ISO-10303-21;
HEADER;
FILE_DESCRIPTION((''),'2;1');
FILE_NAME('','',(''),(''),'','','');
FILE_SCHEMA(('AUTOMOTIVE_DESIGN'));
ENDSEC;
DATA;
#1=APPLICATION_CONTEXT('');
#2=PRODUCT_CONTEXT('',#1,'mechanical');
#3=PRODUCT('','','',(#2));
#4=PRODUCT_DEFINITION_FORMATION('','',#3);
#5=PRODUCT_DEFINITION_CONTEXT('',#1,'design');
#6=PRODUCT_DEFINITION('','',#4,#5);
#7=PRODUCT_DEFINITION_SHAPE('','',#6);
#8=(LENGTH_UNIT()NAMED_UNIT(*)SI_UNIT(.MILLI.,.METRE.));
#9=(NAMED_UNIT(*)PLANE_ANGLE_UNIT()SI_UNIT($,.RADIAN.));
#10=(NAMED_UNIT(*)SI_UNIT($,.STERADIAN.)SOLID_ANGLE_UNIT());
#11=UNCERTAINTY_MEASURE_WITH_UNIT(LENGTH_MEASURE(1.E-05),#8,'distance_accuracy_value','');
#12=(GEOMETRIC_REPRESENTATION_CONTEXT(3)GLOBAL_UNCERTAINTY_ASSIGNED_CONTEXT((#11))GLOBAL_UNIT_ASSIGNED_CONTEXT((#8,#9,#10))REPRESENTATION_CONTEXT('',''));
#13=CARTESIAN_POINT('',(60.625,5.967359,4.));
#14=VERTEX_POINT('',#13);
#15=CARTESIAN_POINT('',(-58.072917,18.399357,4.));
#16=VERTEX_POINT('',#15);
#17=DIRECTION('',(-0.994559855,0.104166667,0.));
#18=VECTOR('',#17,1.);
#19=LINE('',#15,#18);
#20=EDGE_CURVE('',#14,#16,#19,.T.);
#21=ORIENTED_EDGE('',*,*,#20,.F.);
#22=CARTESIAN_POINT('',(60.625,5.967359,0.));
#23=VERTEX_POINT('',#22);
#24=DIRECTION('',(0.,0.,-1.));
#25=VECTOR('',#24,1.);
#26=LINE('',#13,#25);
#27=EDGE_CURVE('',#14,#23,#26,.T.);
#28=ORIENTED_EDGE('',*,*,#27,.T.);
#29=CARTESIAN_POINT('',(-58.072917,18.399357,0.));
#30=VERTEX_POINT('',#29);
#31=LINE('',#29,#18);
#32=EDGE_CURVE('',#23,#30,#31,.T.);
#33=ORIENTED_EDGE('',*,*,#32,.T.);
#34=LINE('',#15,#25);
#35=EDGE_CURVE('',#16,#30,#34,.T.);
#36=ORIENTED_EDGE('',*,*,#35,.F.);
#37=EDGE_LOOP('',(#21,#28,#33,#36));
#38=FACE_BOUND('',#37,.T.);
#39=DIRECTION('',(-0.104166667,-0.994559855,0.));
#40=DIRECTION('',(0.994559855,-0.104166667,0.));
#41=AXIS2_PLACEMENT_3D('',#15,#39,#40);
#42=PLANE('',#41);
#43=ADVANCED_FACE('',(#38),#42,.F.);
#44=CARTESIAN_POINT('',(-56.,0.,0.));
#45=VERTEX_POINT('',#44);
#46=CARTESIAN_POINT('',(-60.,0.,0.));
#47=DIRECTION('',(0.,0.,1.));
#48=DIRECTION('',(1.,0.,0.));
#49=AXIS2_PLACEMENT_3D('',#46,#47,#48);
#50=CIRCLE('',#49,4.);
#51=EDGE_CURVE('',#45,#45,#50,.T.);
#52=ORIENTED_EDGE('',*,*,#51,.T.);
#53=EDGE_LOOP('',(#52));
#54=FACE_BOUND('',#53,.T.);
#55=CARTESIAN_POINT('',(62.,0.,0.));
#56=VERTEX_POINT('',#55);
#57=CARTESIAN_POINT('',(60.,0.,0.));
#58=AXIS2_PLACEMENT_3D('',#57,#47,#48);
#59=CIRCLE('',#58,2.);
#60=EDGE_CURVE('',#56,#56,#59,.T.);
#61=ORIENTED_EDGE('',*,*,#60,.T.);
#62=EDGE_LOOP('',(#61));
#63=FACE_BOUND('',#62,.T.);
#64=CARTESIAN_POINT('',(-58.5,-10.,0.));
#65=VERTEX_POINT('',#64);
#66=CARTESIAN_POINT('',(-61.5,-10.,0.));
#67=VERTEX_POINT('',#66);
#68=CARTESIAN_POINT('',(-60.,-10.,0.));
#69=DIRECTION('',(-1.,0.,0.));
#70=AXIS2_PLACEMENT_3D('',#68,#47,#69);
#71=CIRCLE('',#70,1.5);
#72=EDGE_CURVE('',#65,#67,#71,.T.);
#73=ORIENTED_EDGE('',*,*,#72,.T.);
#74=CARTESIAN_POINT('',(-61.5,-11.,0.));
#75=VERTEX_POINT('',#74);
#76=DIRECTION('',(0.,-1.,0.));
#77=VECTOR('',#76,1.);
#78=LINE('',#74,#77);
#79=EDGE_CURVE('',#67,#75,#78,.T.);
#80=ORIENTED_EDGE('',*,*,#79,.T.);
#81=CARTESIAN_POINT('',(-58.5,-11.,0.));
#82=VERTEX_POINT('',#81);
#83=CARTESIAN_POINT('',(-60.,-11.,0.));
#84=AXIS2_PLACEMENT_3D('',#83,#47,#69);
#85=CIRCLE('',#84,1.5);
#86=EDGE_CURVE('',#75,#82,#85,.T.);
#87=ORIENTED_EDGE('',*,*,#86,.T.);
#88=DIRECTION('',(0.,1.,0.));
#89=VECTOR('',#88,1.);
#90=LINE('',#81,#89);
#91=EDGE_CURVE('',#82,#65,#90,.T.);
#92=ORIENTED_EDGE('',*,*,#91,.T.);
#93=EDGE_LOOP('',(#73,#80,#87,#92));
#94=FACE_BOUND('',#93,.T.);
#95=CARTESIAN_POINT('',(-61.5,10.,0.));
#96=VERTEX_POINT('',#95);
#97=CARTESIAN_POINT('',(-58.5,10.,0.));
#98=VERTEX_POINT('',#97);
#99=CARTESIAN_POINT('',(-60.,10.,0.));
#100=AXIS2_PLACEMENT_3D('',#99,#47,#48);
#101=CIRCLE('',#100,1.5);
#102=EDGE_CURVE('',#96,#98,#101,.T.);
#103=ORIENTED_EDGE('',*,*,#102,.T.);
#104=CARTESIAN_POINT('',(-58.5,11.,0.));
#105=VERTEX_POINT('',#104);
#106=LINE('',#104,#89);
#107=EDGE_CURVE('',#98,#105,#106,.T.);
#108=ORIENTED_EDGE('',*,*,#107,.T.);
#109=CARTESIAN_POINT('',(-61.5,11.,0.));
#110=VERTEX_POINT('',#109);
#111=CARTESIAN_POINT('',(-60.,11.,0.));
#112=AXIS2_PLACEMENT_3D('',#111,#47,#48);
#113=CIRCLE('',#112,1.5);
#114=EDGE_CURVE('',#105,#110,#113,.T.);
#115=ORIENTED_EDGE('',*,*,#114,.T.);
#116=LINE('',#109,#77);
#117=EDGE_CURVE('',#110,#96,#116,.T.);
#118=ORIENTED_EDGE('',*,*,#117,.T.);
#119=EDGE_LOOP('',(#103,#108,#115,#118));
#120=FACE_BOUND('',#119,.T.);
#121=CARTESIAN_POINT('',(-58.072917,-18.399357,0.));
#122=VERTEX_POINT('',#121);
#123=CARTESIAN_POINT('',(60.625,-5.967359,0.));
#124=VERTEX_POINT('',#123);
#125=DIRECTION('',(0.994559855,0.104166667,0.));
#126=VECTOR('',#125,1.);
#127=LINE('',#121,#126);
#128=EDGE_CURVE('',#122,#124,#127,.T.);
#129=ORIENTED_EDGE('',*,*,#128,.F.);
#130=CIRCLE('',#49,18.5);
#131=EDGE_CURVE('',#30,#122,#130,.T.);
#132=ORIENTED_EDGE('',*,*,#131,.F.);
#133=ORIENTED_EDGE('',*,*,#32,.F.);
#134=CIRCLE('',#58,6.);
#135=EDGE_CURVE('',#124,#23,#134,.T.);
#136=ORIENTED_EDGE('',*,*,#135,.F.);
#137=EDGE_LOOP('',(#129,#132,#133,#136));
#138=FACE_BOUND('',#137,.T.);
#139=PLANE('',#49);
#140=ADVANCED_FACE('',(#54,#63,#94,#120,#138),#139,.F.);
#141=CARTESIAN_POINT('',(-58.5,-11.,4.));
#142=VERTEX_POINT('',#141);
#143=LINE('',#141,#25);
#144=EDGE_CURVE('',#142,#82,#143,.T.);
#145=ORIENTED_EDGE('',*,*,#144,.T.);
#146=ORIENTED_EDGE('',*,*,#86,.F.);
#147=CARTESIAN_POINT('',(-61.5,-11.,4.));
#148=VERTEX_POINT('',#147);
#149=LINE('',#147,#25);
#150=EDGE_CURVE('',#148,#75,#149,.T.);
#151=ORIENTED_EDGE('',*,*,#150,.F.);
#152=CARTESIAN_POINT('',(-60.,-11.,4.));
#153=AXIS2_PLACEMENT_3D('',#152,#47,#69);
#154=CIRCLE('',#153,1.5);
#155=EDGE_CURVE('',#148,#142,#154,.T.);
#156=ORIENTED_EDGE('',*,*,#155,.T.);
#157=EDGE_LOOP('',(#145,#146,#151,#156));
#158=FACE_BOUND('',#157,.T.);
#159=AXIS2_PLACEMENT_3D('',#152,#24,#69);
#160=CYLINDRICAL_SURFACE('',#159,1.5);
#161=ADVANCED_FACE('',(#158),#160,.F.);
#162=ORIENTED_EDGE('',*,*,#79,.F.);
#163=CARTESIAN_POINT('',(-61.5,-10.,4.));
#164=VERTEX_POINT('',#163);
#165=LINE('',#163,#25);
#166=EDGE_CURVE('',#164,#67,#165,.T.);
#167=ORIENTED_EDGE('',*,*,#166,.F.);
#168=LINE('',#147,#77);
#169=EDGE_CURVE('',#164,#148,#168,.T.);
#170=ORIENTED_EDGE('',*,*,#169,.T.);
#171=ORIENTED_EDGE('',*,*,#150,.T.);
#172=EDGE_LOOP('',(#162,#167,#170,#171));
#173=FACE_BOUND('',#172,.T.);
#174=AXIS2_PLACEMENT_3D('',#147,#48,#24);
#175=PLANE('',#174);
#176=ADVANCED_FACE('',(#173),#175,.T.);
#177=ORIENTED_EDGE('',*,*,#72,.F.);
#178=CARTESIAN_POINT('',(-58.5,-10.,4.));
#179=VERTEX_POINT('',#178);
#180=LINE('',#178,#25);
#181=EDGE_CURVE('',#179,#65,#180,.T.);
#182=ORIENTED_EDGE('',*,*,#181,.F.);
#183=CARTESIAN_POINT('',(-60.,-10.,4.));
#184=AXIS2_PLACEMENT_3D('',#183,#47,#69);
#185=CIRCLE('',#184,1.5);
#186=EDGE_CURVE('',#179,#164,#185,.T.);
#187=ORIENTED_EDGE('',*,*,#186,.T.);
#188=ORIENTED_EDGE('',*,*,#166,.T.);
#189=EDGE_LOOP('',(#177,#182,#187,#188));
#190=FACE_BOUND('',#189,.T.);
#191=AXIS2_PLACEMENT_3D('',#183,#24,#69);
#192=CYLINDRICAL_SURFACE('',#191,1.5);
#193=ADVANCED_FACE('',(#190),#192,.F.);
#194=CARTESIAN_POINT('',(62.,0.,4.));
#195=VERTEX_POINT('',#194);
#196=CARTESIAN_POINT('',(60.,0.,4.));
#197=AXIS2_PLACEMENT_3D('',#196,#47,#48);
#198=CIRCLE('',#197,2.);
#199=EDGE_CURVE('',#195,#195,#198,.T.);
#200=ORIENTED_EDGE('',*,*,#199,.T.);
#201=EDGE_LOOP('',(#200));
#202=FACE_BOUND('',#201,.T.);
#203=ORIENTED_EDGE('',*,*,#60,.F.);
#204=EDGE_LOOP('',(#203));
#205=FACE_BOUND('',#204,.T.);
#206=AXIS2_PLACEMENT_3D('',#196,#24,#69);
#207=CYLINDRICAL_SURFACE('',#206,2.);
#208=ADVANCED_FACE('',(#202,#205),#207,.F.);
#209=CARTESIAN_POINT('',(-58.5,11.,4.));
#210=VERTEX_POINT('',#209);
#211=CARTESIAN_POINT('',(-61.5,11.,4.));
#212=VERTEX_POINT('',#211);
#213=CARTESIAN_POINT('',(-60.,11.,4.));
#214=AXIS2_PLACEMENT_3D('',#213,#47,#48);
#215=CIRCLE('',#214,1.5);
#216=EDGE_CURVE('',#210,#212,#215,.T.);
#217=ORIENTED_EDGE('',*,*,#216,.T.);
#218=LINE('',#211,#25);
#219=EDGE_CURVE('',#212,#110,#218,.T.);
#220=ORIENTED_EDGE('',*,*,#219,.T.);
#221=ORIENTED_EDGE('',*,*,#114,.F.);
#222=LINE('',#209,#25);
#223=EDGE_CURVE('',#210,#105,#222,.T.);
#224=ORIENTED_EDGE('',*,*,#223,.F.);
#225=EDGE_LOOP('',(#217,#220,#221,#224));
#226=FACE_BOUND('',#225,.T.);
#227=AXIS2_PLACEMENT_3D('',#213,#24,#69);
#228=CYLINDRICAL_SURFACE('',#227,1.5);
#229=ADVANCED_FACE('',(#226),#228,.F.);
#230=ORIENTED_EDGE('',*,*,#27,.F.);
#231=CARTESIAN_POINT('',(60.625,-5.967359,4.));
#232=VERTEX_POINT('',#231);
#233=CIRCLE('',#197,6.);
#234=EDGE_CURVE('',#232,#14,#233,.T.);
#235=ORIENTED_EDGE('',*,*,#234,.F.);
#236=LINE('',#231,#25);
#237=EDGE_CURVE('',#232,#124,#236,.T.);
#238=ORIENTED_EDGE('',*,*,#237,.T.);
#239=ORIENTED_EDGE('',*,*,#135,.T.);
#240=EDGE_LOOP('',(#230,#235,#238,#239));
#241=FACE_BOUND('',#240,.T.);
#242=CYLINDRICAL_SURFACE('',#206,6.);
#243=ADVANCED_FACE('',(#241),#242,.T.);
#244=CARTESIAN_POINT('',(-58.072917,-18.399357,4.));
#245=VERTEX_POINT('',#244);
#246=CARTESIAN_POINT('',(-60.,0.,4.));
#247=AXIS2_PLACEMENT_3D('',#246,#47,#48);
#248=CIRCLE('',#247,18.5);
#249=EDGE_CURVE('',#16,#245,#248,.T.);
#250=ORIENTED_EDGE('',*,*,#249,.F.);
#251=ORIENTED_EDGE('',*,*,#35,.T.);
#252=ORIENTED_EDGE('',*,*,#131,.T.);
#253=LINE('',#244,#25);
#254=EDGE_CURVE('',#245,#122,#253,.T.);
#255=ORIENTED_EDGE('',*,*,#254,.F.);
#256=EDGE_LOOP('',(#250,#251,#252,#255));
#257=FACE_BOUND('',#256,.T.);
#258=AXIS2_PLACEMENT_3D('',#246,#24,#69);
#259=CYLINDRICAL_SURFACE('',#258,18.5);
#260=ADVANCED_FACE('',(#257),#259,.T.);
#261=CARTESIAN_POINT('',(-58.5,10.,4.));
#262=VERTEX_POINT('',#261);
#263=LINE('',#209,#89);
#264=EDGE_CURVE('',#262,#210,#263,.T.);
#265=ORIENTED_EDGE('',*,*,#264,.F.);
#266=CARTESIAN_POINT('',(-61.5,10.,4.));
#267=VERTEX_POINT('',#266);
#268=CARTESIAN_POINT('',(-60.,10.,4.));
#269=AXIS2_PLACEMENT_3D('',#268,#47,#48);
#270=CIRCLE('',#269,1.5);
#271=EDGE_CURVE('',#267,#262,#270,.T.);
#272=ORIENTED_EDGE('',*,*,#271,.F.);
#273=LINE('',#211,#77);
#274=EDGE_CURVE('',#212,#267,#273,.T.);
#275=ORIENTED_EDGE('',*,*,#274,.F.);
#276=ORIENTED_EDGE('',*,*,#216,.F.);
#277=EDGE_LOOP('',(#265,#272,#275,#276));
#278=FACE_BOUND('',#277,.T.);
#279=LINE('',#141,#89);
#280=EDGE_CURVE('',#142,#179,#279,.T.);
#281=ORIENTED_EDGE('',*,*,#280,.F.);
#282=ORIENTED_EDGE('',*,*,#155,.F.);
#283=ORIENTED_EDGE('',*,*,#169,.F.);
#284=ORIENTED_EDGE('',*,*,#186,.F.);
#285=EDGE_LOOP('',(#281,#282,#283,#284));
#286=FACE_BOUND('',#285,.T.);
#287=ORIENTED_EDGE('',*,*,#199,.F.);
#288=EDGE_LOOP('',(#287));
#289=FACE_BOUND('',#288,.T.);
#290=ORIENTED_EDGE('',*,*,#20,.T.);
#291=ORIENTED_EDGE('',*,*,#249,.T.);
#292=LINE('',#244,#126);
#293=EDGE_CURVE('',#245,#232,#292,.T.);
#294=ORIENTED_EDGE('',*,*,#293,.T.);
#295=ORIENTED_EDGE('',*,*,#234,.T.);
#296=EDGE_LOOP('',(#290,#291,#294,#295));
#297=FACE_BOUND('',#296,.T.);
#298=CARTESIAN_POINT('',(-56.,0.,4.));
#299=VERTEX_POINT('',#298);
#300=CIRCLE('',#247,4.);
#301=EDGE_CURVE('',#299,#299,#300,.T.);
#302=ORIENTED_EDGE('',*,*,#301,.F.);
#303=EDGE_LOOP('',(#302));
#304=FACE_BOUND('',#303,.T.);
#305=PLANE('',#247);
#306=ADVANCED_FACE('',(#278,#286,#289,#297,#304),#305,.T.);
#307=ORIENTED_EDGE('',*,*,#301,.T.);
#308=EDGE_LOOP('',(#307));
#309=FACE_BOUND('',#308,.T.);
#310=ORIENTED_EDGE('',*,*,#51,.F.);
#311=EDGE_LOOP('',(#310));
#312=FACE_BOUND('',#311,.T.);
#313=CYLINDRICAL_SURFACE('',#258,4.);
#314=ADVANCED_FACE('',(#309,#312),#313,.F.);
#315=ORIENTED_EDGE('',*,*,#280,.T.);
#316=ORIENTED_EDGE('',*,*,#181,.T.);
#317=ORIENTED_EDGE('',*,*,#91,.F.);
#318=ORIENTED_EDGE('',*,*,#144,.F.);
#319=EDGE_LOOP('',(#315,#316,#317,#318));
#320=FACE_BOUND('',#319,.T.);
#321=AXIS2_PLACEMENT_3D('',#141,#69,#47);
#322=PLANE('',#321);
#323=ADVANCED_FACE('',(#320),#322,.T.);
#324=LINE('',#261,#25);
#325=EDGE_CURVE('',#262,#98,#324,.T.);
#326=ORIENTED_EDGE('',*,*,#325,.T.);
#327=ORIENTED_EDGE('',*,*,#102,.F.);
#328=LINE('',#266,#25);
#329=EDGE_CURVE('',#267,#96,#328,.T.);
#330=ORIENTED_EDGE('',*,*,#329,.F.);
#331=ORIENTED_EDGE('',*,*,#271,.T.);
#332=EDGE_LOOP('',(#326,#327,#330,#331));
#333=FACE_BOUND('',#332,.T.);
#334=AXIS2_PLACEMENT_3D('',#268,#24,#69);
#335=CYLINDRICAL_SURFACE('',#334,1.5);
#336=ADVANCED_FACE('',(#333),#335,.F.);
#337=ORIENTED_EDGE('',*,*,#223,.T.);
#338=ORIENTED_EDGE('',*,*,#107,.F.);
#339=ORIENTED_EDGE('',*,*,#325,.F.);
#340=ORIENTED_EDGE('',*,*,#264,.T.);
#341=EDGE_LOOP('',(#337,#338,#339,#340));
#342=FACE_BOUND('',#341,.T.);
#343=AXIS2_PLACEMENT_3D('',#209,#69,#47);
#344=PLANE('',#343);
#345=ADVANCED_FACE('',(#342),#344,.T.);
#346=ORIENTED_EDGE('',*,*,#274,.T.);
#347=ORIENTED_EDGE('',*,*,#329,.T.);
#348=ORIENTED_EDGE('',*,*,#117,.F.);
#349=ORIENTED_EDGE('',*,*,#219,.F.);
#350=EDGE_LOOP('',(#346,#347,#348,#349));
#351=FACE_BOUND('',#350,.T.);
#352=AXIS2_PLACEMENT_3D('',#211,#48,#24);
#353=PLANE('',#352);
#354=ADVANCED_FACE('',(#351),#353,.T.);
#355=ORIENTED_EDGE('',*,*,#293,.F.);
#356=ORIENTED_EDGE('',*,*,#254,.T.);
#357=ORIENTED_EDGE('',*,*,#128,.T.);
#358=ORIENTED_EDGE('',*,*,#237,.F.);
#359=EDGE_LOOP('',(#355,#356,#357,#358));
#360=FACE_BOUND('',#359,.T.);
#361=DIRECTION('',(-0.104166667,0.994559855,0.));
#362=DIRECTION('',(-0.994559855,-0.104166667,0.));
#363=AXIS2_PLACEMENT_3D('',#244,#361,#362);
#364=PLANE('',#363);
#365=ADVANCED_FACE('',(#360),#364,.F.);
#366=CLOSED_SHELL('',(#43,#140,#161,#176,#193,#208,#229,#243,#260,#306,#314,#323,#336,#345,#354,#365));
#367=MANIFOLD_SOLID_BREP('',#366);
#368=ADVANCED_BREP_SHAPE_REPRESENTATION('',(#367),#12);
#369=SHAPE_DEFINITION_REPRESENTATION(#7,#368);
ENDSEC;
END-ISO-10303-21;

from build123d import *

# Parameters (mm, degrees)
SKETCH1_R           = 2
SKETCH1_R_2         = 4
BOSS_EXTRUDE1_DEPTH = 4


with BuildPart() as part:
    # Sketch1 → Boss-Extrude1 (new body)
    with BuildSketch(Plane.XY):
        with BuildLine():
            Line((-58.072916667, 18.399357321), (60.625, 5.967359131))
            ThreePointArc((60.625, 5.967359131), (66, 0), (60.625, -5.967359131))
            Line((60.625, -5.967359131), (-58.072916667, -18.399357321))
            ThreePointArc((-58.072916667, -18.399357321), (-78.5, 0), (-58.072916667, 18.399357321))
        make_face()
        with Locations((60, 0)):
            Circle(SKETCH1_R, mode=Mode.SUBTRACT)
        with Locations((-60, 0)):
            Circle(SKETCH1_R_2, mode=Mode.SUBTRACT)
        with BuildLine():
            Line((-58.5, 11), (-58.5, 10))
            ThreePointArc((-58.5, 10), (-60, 8.5), (-61.5, 10))
            Line((-61.5, 10), (-61.5, 11))
            ThreePointArc((-61.5, 11), (-60, 12.5), (-58.5, 11))
        make_face(mode=Mode.SUBTRACT)
        with BuildLine():
            Line((-58.5, -11), (-58.5, -10))
            ThreePointArc((-58.5, -10), (-60, -8.5), (-61.5, -10))
            Line((-61.5, -10), (-61.5, -11))
            ThreePointArc((-61.5, -11), (-60, -12.5), (-58.5, -11))
        make_face(mode=Mode.SUBTRACT)
    extrude(amount=BOSS_EXTRUDE1_DEPTH)


solid = part.part
